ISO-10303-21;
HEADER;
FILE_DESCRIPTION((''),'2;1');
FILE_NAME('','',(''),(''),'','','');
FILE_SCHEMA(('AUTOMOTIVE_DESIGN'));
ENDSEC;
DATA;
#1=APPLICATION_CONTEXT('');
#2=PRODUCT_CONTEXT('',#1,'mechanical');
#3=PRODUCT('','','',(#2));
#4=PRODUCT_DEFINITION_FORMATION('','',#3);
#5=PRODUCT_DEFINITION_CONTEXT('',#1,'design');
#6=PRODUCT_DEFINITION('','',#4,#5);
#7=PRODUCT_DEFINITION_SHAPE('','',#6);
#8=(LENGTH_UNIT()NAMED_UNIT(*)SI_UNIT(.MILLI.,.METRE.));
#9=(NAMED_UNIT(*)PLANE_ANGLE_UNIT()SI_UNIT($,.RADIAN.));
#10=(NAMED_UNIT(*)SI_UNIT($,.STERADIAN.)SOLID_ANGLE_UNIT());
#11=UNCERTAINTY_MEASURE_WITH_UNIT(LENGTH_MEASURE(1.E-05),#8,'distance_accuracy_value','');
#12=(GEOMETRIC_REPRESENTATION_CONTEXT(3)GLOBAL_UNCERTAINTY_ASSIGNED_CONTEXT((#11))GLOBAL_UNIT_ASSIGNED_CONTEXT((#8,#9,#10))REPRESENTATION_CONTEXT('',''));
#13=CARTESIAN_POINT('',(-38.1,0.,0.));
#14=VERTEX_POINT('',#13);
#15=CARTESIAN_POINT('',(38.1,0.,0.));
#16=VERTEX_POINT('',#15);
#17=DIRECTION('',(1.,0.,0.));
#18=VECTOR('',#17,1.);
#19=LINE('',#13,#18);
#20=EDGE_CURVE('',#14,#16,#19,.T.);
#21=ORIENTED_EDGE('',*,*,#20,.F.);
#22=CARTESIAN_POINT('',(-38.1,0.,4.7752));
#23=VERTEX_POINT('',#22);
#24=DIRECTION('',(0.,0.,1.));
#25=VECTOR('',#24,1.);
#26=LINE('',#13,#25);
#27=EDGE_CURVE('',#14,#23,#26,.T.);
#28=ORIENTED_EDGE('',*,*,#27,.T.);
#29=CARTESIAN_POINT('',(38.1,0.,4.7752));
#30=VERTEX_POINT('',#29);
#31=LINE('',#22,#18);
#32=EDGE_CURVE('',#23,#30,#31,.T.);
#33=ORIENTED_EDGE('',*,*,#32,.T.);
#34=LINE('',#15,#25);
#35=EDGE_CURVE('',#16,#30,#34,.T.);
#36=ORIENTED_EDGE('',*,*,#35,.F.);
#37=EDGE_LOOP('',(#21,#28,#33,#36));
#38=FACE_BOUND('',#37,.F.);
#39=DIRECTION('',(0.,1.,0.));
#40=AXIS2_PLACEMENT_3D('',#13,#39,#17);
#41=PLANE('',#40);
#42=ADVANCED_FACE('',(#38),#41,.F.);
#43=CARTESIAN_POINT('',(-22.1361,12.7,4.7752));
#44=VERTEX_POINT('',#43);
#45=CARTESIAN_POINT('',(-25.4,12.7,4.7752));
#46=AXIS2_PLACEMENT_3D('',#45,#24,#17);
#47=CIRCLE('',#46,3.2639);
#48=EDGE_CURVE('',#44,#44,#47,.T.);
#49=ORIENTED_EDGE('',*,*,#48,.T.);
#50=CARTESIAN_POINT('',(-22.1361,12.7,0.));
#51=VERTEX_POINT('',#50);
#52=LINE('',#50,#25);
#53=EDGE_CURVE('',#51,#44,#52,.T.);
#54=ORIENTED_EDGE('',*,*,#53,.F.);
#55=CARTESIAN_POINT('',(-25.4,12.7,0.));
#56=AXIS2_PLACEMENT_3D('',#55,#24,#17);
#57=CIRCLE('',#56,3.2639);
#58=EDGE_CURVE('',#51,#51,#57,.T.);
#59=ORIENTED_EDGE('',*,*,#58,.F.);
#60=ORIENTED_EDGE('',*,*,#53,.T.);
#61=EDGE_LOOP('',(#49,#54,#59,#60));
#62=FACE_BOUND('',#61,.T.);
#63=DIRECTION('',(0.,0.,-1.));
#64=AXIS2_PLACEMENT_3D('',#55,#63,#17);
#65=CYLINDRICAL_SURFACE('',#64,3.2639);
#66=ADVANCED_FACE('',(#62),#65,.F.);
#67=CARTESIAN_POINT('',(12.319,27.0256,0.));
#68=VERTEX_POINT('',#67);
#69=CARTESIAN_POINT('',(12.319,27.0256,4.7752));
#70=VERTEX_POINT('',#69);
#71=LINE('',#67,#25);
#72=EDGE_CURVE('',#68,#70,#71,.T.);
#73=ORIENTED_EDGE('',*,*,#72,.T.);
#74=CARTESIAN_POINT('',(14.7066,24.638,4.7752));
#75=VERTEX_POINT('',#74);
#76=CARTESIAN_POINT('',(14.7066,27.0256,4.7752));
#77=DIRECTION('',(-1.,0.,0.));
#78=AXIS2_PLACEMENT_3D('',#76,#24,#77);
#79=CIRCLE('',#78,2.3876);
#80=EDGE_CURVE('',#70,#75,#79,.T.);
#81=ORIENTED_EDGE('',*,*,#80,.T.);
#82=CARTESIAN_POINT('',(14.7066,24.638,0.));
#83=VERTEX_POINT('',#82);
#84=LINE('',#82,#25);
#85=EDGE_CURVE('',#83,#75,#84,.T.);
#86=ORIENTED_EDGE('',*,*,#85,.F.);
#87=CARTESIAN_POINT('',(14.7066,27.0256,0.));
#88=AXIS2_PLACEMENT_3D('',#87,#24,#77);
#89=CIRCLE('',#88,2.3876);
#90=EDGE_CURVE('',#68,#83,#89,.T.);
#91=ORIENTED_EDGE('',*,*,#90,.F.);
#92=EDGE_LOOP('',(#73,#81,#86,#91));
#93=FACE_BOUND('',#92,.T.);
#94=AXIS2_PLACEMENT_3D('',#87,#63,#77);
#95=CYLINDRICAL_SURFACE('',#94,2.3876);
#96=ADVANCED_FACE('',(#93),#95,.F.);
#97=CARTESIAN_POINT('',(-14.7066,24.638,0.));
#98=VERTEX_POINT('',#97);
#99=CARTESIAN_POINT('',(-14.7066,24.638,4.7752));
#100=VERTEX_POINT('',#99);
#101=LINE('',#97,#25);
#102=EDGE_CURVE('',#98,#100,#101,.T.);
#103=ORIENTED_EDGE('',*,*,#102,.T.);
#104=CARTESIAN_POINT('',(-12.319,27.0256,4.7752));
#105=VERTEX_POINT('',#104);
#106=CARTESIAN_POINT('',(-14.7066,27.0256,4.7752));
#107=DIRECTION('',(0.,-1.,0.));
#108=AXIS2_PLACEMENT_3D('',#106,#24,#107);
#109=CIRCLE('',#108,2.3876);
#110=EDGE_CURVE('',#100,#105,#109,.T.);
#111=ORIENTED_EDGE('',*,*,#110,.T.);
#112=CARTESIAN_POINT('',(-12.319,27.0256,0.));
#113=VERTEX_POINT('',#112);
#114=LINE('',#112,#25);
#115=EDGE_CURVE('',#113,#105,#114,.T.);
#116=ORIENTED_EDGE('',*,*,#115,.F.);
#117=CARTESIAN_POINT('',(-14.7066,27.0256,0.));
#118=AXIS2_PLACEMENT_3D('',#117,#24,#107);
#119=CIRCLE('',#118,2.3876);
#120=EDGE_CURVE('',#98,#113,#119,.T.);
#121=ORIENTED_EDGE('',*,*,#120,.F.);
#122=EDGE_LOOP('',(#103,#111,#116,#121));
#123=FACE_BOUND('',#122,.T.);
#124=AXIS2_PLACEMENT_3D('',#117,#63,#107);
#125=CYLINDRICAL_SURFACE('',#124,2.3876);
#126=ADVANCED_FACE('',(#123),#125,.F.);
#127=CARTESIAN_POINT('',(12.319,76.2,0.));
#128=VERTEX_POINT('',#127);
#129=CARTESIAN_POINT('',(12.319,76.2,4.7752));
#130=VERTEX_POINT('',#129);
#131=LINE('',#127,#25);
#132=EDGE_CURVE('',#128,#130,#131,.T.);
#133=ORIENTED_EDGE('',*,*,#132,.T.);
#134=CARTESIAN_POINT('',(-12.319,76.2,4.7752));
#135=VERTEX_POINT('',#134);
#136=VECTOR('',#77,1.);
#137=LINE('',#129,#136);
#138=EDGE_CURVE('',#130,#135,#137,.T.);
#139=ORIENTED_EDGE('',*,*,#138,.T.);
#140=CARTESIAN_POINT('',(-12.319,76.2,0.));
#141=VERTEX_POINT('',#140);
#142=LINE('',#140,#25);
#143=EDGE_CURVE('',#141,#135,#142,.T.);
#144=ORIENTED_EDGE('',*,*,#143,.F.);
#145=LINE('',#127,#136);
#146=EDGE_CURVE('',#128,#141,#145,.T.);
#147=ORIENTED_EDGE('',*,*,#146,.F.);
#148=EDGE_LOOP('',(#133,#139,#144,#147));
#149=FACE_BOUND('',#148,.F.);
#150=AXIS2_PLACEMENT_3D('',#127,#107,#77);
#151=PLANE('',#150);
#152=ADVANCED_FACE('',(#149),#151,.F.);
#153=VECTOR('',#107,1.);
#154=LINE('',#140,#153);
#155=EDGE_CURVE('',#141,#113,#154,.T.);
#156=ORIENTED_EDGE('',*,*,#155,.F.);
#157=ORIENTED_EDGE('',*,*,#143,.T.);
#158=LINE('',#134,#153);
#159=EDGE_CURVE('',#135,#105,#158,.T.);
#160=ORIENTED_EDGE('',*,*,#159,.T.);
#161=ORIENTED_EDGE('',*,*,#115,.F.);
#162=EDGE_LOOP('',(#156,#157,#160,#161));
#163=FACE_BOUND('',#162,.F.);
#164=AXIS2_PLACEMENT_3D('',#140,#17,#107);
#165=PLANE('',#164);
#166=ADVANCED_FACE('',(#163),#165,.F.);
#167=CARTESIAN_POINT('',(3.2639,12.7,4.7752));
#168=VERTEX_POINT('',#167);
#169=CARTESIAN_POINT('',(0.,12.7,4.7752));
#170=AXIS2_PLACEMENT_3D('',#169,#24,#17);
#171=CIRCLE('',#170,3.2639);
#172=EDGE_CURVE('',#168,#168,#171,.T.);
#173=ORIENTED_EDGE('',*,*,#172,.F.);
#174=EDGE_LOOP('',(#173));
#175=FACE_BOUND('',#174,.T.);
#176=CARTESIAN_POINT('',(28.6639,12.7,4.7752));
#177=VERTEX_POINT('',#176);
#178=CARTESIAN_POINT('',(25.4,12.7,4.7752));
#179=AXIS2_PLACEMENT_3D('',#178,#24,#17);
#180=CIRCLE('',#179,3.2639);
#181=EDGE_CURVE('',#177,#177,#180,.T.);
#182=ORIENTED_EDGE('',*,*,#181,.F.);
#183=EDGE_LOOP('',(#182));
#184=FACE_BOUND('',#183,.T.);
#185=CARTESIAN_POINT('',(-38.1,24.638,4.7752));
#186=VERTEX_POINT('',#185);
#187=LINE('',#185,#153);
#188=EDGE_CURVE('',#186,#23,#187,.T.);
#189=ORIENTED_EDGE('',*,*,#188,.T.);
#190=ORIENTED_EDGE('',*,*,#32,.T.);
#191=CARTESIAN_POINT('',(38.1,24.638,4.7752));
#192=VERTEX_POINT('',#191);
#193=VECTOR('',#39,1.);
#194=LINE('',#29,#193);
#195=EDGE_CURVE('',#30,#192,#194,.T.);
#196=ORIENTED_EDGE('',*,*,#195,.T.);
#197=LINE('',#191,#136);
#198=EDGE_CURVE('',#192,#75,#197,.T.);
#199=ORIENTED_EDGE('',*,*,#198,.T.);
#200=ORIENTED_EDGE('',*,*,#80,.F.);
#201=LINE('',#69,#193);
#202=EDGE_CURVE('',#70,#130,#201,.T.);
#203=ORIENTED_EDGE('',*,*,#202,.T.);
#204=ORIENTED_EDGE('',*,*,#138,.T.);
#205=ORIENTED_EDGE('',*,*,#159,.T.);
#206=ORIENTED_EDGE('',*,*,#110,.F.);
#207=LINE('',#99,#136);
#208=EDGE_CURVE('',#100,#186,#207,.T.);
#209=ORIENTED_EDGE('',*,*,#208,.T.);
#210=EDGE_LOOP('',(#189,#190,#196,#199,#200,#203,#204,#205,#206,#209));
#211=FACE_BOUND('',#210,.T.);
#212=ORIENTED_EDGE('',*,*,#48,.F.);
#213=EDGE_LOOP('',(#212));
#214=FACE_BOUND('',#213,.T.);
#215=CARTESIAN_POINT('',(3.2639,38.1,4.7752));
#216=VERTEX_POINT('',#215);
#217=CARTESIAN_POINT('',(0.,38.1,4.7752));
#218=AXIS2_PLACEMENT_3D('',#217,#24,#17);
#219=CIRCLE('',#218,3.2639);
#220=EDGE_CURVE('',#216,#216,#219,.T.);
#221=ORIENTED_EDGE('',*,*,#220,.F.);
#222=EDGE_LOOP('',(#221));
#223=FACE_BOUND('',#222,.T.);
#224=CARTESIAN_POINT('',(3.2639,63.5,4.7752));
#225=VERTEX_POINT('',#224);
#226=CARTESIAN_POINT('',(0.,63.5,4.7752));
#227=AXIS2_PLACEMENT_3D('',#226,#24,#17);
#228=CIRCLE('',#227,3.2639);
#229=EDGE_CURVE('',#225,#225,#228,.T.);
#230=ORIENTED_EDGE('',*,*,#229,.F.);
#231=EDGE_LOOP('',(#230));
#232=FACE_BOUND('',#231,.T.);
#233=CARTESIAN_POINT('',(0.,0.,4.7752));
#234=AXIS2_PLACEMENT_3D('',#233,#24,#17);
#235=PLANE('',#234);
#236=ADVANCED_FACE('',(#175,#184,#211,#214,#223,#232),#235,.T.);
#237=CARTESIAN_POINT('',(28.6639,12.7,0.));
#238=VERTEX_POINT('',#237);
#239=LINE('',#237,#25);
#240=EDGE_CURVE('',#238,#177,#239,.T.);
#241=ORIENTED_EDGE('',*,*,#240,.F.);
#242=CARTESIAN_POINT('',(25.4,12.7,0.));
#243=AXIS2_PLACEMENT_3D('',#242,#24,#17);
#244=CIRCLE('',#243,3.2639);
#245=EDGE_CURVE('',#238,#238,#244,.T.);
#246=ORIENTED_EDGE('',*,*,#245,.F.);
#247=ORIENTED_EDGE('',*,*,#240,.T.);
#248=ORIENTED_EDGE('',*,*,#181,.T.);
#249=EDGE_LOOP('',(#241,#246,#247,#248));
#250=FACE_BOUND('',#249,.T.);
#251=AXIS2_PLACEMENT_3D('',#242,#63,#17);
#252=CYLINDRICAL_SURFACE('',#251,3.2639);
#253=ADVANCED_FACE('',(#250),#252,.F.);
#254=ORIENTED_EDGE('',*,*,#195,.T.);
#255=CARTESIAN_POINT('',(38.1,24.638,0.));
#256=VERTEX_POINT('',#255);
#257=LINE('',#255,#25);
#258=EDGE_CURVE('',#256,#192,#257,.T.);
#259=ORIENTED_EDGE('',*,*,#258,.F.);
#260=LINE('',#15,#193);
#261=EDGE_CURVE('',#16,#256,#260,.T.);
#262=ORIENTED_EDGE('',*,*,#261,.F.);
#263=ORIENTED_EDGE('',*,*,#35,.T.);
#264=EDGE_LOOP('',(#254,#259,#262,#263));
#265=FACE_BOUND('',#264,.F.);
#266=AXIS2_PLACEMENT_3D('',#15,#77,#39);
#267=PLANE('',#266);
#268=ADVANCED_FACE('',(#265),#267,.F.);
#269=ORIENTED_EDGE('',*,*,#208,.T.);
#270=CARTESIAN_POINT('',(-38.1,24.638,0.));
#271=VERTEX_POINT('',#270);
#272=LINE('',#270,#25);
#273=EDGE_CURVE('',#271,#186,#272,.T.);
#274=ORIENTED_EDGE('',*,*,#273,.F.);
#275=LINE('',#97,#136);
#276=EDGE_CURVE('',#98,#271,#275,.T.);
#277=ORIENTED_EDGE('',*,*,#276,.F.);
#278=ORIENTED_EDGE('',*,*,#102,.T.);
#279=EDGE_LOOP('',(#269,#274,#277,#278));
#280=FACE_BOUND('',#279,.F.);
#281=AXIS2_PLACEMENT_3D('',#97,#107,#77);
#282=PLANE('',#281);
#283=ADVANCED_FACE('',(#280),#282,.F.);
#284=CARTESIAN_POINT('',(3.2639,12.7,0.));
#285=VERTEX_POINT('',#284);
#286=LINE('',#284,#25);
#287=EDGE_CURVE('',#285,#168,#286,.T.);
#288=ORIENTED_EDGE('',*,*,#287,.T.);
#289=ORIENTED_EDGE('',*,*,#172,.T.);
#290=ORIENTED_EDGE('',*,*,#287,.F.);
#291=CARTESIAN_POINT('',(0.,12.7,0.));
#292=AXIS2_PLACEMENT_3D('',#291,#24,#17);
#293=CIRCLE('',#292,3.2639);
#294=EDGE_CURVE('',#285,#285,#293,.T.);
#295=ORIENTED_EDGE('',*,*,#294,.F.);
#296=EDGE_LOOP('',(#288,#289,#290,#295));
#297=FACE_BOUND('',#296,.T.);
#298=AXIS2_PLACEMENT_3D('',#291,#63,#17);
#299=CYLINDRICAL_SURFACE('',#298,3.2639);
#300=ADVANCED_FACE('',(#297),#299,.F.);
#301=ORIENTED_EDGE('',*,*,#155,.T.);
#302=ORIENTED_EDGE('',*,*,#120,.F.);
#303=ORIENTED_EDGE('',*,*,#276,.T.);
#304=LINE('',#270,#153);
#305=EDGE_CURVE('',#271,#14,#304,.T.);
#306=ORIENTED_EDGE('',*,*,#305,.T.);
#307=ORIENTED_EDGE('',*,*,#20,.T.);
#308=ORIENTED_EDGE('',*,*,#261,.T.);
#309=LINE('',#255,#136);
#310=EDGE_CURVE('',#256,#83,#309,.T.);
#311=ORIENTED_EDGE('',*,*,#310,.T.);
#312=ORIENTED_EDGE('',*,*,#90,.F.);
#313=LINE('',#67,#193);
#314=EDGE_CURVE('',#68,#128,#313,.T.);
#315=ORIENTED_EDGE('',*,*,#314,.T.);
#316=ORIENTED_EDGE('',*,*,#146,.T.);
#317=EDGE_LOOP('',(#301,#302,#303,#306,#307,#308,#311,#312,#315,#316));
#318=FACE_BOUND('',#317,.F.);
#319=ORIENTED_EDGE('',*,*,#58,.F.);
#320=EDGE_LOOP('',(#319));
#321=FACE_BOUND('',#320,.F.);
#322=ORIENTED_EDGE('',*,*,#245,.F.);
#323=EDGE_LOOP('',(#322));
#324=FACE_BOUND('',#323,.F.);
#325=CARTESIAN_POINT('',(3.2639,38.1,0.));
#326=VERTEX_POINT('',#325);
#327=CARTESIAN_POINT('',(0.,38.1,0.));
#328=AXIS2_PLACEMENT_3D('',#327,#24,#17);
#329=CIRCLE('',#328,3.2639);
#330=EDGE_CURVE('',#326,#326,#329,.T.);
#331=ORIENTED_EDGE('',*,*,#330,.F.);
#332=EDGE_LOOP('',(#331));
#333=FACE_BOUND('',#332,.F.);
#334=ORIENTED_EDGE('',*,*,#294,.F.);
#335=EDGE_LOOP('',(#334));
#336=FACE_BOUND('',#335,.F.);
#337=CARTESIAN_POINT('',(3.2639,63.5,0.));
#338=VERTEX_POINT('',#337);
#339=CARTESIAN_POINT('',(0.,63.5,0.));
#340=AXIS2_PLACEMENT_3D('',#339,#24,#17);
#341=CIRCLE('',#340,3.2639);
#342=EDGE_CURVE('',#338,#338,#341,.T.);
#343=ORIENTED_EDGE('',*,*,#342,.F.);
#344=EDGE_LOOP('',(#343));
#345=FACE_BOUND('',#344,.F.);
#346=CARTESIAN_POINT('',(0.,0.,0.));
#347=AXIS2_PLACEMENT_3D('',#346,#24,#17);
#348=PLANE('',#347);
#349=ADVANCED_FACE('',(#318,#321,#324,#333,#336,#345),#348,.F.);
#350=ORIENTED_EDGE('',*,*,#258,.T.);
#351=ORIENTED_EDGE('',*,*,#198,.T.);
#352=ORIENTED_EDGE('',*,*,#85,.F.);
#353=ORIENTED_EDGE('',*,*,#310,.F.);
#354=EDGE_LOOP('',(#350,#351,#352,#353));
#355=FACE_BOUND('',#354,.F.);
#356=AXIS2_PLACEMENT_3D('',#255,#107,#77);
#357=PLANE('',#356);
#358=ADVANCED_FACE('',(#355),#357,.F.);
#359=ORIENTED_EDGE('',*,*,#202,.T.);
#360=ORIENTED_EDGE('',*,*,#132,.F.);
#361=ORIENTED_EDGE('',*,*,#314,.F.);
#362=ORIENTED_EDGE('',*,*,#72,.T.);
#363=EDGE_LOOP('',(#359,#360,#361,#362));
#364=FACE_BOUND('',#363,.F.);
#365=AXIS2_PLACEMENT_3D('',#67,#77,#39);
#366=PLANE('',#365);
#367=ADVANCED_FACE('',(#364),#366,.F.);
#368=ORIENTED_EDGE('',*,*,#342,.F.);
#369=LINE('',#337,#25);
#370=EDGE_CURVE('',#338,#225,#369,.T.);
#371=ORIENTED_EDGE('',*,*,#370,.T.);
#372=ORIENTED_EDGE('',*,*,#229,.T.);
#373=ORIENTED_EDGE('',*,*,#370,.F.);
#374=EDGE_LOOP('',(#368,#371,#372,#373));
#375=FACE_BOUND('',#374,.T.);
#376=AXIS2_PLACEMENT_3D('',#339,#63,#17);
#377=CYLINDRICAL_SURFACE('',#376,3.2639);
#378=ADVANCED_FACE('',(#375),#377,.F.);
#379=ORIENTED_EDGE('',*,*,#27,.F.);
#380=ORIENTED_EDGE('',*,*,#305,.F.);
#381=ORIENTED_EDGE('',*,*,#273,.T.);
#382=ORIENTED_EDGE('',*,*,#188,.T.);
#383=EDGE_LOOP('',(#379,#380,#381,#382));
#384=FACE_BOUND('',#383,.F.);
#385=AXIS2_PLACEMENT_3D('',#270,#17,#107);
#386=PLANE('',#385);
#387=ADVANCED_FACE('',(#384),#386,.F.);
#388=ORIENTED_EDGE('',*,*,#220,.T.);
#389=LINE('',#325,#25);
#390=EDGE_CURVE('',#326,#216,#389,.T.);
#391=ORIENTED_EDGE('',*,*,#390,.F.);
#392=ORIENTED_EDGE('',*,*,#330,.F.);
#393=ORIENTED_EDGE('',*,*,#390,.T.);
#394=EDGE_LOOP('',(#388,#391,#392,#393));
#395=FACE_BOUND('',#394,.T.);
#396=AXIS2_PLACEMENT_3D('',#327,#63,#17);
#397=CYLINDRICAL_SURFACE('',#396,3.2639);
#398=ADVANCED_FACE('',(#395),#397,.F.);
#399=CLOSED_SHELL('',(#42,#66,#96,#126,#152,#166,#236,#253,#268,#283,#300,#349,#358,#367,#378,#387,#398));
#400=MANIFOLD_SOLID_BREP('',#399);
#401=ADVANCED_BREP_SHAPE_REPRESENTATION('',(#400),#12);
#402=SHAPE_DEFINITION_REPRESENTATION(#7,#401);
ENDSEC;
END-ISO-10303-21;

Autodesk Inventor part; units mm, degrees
ref_plane "YZ Plane" through (0, 0, 0) normal (1, 0, 0) x (0, 1, 0)
ref_plane "XZ Plane" through (0, 0, 0) normal (0, 1, 0) x (-1, 0, 0)
ref_plane "XY Plane" through (0, 0, 0) normal (0, 0, 1) x (1, 0, 0)
sketch "Sketch_1" plane through (0, 0, 0) normal (0, 0, 1) x (1, 0, 0)
  line L0 (-38.1, 24.638) -> (-38.1, 0)
  line L1 (-38.1, 0) -> (38.1, 0)
  line L2 (38.1, 0) -> (38.1, 24.638)
  line L3 (38.1, 24.638) -> (14.7066, 24.638)
  arc A0 (12.319, 27.0256) -> (14.7066, 24.638) centre (14.7066, 27.0256) ccw
  line L4 (12.319, 27.0256) -> (12.319, 76.2)
  line L5 (12.319, 76.2) -> (-12.319, 76.2)
  line L6 (-12.319, 76.2) -> (-12.319, 27.0256)
  arc A1 (-14.7066, 24.638) -> (-12.319, 27.0256) centre (-14.7066, 27.0256) ccw
  line L7 (-14.7066, 24.638) -> (-38.1, 24.638)
  circle A2 centre (25.4, 12.7) radius 3.2639
  circle A3 centre (0, 12.7) radius 3.2639
  circle A4 centre (0, 63.5) radius 3.2639
  circle A5 centre (0, 38.1) radius 3.2639
  circle A6 centre (-25.4, 12.7) radius 3.2639
extrude "Extrusion1" add sketch "Sketch_1" along normal blind 4.7752
properties part number "4080"
